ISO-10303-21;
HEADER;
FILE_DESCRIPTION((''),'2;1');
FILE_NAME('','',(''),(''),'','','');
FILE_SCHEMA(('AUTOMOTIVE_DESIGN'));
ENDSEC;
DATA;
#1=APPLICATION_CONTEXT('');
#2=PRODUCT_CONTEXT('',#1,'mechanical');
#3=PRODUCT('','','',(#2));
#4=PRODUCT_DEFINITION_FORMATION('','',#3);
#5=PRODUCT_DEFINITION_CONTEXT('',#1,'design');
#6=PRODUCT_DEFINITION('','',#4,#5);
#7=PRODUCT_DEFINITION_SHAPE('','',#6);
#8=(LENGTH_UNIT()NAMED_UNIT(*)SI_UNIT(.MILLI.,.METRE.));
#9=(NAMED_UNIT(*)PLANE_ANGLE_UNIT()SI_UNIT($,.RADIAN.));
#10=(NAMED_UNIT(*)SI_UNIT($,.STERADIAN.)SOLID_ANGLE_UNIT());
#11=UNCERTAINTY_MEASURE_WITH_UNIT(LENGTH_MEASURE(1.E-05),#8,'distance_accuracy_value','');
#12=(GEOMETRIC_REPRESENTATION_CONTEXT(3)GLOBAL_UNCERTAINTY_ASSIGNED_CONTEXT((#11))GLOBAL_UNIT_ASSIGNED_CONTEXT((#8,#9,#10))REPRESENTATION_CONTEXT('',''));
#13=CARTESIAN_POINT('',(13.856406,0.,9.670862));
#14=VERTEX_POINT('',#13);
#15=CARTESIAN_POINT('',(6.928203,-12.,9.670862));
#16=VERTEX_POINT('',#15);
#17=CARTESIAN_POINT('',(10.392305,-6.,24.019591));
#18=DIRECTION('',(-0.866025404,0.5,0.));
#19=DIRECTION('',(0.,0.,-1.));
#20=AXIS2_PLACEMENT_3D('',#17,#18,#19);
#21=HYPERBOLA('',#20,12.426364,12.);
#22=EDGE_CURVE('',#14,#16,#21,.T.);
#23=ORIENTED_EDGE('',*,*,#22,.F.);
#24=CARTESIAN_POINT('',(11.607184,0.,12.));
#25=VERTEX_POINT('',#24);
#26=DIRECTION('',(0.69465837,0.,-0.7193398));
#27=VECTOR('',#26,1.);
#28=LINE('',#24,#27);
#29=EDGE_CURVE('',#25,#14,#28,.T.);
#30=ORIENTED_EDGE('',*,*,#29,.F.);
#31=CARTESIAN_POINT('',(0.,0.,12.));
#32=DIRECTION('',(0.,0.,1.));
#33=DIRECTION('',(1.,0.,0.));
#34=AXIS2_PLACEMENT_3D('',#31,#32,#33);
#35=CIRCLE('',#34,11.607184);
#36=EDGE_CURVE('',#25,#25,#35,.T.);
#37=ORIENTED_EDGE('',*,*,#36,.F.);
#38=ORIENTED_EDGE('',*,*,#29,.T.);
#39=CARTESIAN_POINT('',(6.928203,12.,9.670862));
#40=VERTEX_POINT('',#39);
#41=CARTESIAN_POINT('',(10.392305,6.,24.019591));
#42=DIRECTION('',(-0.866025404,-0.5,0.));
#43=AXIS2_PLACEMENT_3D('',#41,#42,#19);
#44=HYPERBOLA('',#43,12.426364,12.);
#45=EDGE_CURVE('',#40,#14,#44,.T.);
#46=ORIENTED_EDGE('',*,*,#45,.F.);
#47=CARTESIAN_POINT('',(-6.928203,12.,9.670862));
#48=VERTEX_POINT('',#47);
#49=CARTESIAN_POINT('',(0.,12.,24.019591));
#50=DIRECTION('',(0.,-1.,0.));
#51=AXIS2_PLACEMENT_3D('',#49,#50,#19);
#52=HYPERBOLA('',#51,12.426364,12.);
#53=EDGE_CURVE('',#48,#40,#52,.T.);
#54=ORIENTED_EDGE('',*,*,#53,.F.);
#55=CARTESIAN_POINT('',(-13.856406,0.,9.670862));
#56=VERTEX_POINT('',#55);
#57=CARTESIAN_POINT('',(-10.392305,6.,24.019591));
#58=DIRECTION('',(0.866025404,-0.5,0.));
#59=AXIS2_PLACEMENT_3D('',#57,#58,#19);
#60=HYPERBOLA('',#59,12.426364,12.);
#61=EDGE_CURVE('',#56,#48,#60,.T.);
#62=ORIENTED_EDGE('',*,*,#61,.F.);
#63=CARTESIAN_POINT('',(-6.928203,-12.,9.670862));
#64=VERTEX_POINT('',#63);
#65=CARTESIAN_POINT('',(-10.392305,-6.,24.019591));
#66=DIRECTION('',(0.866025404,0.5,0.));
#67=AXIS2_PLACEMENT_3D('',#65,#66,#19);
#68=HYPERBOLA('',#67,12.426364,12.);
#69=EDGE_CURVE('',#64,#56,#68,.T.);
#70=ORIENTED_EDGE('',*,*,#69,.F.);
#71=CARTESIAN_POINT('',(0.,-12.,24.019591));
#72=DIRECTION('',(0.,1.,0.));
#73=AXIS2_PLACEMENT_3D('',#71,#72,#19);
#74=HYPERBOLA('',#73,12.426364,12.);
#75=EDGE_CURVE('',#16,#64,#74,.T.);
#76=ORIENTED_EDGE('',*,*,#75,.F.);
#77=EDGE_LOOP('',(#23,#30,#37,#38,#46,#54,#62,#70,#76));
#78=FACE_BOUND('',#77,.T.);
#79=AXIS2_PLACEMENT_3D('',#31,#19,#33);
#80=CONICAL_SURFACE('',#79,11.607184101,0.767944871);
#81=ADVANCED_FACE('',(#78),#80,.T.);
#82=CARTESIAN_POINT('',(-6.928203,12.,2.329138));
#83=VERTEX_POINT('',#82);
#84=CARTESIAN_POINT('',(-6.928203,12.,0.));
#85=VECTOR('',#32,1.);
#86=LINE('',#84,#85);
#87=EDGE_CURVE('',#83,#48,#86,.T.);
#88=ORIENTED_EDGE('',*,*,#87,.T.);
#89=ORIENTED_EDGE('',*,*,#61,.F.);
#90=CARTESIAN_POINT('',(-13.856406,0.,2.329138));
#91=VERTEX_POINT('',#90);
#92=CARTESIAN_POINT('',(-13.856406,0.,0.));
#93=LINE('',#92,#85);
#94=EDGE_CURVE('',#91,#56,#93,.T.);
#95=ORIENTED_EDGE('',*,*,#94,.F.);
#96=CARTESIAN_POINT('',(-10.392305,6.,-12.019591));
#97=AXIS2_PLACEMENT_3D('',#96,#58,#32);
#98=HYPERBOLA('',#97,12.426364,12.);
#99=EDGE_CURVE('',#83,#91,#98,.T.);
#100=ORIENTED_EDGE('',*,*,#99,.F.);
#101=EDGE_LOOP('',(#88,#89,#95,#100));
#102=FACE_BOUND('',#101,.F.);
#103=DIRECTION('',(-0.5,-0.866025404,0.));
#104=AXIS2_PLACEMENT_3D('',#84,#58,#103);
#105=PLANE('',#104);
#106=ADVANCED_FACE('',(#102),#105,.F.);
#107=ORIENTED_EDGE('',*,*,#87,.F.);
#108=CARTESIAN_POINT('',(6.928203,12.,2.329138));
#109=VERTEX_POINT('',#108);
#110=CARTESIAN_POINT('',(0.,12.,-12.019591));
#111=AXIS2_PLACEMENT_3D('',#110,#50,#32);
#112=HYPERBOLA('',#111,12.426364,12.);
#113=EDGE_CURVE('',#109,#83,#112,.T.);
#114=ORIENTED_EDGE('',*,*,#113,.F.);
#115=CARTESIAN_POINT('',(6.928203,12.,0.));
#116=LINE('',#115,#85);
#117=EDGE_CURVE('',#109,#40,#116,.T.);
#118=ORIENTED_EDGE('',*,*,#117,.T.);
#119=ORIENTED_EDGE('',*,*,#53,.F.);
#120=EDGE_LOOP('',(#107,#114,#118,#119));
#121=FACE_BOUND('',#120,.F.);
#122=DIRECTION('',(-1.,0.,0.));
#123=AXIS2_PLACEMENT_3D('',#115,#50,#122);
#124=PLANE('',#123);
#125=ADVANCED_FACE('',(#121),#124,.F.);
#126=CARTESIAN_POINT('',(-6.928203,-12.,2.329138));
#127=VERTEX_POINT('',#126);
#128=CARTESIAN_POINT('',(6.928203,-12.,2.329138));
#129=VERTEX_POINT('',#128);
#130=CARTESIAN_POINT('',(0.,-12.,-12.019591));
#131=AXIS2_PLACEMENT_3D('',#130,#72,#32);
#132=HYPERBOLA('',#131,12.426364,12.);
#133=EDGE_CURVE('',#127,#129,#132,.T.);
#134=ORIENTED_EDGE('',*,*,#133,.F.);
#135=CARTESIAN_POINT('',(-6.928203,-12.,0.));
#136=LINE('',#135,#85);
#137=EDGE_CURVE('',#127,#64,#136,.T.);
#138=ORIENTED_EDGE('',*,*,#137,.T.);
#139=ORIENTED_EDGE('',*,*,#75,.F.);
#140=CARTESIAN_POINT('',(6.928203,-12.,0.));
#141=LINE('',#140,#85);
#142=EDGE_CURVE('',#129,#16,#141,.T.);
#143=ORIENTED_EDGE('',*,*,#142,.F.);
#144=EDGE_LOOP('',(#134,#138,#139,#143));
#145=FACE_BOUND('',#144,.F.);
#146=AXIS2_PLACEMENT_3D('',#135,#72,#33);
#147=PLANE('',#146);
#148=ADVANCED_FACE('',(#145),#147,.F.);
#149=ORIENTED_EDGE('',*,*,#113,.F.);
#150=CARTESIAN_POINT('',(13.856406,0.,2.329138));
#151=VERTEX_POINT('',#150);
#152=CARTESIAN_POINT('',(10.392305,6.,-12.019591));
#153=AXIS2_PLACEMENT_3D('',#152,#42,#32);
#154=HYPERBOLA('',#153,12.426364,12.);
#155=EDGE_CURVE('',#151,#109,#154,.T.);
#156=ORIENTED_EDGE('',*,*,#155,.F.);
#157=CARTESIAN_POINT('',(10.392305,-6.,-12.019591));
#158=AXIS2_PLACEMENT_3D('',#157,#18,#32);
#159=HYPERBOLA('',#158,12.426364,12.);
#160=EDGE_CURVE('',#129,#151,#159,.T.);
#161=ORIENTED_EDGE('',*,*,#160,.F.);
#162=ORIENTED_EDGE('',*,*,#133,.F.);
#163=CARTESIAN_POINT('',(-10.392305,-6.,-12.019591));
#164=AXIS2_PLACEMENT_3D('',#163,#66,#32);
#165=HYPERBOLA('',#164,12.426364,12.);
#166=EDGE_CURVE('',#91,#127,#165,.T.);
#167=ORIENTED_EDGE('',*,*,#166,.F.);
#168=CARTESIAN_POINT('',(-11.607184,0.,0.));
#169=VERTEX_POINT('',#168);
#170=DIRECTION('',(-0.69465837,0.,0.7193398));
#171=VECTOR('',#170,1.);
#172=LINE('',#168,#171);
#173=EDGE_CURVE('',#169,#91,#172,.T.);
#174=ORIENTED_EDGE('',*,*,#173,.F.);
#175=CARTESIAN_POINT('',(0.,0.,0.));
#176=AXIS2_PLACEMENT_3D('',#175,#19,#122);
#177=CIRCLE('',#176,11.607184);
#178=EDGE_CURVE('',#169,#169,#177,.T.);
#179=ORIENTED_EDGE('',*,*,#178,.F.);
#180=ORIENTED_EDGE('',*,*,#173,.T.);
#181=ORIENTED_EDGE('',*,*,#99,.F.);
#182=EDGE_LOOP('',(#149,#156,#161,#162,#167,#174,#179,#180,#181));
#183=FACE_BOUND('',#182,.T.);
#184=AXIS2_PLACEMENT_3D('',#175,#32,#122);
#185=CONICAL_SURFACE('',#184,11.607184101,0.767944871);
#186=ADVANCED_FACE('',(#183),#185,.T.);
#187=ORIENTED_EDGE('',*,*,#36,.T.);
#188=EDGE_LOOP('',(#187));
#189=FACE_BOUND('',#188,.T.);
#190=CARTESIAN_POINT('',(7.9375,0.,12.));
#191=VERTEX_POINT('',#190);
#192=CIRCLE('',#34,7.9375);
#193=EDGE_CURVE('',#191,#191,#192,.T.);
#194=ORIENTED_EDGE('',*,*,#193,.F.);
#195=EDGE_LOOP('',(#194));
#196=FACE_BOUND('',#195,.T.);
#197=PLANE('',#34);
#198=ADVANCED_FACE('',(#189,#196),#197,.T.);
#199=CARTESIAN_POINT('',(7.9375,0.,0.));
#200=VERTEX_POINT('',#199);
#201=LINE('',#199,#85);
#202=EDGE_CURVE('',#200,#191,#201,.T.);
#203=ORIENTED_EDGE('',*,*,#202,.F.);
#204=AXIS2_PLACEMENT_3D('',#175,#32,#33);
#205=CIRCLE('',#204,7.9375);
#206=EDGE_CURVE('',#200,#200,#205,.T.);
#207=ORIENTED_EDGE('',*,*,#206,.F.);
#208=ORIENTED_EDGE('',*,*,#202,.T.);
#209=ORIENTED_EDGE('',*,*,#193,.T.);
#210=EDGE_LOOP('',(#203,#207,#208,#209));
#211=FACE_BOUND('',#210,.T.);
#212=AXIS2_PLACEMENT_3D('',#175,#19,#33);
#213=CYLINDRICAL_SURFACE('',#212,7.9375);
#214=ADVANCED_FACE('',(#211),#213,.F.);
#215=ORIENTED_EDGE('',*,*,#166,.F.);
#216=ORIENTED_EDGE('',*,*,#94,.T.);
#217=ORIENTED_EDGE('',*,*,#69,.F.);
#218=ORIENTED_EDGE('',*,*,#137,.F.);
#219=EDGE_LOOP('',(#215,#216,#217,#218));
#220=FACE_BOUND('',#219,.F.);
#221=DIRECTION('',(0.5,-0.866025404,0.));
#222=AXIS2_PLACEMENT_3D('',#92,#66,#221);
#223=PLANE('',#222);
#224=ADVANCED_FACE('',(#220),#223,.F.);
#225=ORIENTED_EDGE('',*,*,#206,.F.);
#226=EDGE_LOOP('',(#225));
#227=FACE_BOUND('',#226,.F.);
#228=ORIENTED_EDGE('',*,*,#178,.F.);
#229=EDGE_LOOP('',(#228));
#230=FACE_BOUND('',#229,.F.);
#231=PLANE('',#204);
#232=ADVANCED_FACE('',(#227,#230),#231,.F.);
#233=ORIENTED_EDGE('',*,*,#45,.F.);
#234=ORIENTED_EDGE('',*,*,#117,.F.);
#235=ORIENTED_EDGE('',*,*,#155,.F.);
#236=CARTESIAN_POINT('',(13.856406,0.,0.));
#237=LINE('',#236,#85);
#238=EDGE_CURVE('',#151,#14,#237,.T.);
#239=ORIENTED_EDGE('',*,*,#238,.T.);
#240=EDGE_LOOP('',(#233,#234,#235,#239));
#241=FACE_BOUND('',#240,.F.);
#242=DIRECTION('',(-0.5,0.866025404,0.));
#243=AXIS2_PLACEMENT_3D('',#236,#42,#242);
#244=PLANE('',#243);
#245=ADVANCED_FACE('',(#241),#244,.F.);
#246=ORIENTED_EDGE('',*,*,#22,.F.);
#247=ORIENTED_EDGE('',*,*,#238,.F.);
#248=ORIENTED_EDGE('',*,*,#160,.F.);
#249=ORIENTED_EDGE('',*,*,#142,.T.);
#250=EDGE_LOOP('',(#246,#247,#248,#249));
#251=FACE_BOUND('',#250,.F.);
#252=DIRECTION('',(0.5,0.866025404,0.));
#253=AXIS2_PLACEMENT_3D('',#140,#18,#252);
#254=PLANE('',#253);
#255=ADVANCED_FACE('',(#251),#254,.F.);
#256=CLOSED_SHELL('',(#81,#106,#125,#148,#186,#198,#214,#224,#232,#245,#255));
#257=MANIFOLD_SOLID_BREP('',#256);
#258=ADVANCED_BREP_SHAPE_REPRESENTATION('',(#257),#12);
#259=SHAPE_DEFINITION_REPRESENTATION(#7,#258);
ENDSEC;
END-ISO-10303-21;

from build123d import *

# Parameters (mm, degrees)
CROQUIS1_R              = 7.9375
SALIENTE_EXTRUIR1_DEPTH = 12
CROQUIS2_R              = 26.020847396
CROQUIS2_R_2            = 11.607184101
CORTAR_EXTRUIR1_DEPTH   = 11
CORTAR_EXTRUIR1_DRAFT   = -44
CROQUIS3_R              = 34.266394572
CROQUIS3_R_2            = 11.607184101
CORTAR_EXTRUIR2_DEPTH   = 11
CORTAR_EXTRUIR2_DRAFT   = -44


with BuildPart() as part:
    # Croquis1 → Saliente-Extruir1 (new body)
    with BuildSketch(Plane.XY):
        Polygon((13.856406461, 0), (6.92820323, 12), (-6.92820323, 12), (-13.856406461, 0), (-6.92820323, -12), (6.92820323, -12), align=None)
        Circle(CROQUIS1_R, mode=Mode.SUBTRACT)
    extrude(amount=SALIENTE_EXTRUIR1_DEPTH)


with BuildPart() as cortar_extruir1_tool:
    # Croquis2 → Cortar-Extruir1 (with draft: the straight prism first)
    with BuildSketch(Plane.XY.offset(12)):
        Circle(CROQUIS2_R)
        Circle(CROQUIS2_R_2, mode=Mode.SUBTRACT)
    extrude(amount=-CORTAR_EXTRUIR1_DEPTH)
    # Cortar-Extruir1: the draft: its side faces are tilted about the plane it starts from
    cortar_extruir1_sides = [cortar_extruir1_tool.faces().sort_by_distance(p)[0] for p in [
        (-26.020847396, 0, 6.5),
        (-11.607184101, 0, 6.5),
    ]]
    draft(cortar_extruir1_sides, Plane.XY.offset(12), CORTAR_EXTRUIR1_DRAFT)


with BuildPart() as part_1:
    add(part.part)

    # Cortar-Extruir1: cut by cortar_extruir1_tool
    add(cortar_extruir1_tool.part, mode=Mode.SUBTRACT)


with BuildPart() as cortar_extruir2_tool:
    # Croquis3 → Cortar-Extruir2 (with draft: the straight prism first)
    with BuildSketch(Plane(origin=(0, 0, 0), x_dir=(-1, 0, 0), z_dir=(0, 0, -1))):
        Circle(CROQUIS3_R)
        Circle(CROQUIS3_R_2, mode=Mode.SUBTRACT)
    extrude(amount=-CORTAR_EXTRUIR2_DEPTH)
    # Cortar-Extruir2: the draft: its side faces are tilted about the plane it starts from
    cortar_extruir2_sides = [cortar_extruir2_tool.faces().sort_by_distance(p)[0] for p in [
        (34.266394572, 0, 5.5),
        (11.607184101, 0, 5.5),
    ]]
    draft(cortar_extruir2_sides, Plane(origin=(0, 0, 0), x_dir=(-1, 0, 0), z_dir=(0, 0, -1)), CORTAR_EXTRUIR2_DRAFT)


with BuildPart() as part_2:
    add(part_1.part)

    # Cortar-Extruir2: cut by cortar_extruir2_tool
    add(cortar_extruir2_tool.part, mode=Mode.SUBTRACT)


solid = part_2.part
